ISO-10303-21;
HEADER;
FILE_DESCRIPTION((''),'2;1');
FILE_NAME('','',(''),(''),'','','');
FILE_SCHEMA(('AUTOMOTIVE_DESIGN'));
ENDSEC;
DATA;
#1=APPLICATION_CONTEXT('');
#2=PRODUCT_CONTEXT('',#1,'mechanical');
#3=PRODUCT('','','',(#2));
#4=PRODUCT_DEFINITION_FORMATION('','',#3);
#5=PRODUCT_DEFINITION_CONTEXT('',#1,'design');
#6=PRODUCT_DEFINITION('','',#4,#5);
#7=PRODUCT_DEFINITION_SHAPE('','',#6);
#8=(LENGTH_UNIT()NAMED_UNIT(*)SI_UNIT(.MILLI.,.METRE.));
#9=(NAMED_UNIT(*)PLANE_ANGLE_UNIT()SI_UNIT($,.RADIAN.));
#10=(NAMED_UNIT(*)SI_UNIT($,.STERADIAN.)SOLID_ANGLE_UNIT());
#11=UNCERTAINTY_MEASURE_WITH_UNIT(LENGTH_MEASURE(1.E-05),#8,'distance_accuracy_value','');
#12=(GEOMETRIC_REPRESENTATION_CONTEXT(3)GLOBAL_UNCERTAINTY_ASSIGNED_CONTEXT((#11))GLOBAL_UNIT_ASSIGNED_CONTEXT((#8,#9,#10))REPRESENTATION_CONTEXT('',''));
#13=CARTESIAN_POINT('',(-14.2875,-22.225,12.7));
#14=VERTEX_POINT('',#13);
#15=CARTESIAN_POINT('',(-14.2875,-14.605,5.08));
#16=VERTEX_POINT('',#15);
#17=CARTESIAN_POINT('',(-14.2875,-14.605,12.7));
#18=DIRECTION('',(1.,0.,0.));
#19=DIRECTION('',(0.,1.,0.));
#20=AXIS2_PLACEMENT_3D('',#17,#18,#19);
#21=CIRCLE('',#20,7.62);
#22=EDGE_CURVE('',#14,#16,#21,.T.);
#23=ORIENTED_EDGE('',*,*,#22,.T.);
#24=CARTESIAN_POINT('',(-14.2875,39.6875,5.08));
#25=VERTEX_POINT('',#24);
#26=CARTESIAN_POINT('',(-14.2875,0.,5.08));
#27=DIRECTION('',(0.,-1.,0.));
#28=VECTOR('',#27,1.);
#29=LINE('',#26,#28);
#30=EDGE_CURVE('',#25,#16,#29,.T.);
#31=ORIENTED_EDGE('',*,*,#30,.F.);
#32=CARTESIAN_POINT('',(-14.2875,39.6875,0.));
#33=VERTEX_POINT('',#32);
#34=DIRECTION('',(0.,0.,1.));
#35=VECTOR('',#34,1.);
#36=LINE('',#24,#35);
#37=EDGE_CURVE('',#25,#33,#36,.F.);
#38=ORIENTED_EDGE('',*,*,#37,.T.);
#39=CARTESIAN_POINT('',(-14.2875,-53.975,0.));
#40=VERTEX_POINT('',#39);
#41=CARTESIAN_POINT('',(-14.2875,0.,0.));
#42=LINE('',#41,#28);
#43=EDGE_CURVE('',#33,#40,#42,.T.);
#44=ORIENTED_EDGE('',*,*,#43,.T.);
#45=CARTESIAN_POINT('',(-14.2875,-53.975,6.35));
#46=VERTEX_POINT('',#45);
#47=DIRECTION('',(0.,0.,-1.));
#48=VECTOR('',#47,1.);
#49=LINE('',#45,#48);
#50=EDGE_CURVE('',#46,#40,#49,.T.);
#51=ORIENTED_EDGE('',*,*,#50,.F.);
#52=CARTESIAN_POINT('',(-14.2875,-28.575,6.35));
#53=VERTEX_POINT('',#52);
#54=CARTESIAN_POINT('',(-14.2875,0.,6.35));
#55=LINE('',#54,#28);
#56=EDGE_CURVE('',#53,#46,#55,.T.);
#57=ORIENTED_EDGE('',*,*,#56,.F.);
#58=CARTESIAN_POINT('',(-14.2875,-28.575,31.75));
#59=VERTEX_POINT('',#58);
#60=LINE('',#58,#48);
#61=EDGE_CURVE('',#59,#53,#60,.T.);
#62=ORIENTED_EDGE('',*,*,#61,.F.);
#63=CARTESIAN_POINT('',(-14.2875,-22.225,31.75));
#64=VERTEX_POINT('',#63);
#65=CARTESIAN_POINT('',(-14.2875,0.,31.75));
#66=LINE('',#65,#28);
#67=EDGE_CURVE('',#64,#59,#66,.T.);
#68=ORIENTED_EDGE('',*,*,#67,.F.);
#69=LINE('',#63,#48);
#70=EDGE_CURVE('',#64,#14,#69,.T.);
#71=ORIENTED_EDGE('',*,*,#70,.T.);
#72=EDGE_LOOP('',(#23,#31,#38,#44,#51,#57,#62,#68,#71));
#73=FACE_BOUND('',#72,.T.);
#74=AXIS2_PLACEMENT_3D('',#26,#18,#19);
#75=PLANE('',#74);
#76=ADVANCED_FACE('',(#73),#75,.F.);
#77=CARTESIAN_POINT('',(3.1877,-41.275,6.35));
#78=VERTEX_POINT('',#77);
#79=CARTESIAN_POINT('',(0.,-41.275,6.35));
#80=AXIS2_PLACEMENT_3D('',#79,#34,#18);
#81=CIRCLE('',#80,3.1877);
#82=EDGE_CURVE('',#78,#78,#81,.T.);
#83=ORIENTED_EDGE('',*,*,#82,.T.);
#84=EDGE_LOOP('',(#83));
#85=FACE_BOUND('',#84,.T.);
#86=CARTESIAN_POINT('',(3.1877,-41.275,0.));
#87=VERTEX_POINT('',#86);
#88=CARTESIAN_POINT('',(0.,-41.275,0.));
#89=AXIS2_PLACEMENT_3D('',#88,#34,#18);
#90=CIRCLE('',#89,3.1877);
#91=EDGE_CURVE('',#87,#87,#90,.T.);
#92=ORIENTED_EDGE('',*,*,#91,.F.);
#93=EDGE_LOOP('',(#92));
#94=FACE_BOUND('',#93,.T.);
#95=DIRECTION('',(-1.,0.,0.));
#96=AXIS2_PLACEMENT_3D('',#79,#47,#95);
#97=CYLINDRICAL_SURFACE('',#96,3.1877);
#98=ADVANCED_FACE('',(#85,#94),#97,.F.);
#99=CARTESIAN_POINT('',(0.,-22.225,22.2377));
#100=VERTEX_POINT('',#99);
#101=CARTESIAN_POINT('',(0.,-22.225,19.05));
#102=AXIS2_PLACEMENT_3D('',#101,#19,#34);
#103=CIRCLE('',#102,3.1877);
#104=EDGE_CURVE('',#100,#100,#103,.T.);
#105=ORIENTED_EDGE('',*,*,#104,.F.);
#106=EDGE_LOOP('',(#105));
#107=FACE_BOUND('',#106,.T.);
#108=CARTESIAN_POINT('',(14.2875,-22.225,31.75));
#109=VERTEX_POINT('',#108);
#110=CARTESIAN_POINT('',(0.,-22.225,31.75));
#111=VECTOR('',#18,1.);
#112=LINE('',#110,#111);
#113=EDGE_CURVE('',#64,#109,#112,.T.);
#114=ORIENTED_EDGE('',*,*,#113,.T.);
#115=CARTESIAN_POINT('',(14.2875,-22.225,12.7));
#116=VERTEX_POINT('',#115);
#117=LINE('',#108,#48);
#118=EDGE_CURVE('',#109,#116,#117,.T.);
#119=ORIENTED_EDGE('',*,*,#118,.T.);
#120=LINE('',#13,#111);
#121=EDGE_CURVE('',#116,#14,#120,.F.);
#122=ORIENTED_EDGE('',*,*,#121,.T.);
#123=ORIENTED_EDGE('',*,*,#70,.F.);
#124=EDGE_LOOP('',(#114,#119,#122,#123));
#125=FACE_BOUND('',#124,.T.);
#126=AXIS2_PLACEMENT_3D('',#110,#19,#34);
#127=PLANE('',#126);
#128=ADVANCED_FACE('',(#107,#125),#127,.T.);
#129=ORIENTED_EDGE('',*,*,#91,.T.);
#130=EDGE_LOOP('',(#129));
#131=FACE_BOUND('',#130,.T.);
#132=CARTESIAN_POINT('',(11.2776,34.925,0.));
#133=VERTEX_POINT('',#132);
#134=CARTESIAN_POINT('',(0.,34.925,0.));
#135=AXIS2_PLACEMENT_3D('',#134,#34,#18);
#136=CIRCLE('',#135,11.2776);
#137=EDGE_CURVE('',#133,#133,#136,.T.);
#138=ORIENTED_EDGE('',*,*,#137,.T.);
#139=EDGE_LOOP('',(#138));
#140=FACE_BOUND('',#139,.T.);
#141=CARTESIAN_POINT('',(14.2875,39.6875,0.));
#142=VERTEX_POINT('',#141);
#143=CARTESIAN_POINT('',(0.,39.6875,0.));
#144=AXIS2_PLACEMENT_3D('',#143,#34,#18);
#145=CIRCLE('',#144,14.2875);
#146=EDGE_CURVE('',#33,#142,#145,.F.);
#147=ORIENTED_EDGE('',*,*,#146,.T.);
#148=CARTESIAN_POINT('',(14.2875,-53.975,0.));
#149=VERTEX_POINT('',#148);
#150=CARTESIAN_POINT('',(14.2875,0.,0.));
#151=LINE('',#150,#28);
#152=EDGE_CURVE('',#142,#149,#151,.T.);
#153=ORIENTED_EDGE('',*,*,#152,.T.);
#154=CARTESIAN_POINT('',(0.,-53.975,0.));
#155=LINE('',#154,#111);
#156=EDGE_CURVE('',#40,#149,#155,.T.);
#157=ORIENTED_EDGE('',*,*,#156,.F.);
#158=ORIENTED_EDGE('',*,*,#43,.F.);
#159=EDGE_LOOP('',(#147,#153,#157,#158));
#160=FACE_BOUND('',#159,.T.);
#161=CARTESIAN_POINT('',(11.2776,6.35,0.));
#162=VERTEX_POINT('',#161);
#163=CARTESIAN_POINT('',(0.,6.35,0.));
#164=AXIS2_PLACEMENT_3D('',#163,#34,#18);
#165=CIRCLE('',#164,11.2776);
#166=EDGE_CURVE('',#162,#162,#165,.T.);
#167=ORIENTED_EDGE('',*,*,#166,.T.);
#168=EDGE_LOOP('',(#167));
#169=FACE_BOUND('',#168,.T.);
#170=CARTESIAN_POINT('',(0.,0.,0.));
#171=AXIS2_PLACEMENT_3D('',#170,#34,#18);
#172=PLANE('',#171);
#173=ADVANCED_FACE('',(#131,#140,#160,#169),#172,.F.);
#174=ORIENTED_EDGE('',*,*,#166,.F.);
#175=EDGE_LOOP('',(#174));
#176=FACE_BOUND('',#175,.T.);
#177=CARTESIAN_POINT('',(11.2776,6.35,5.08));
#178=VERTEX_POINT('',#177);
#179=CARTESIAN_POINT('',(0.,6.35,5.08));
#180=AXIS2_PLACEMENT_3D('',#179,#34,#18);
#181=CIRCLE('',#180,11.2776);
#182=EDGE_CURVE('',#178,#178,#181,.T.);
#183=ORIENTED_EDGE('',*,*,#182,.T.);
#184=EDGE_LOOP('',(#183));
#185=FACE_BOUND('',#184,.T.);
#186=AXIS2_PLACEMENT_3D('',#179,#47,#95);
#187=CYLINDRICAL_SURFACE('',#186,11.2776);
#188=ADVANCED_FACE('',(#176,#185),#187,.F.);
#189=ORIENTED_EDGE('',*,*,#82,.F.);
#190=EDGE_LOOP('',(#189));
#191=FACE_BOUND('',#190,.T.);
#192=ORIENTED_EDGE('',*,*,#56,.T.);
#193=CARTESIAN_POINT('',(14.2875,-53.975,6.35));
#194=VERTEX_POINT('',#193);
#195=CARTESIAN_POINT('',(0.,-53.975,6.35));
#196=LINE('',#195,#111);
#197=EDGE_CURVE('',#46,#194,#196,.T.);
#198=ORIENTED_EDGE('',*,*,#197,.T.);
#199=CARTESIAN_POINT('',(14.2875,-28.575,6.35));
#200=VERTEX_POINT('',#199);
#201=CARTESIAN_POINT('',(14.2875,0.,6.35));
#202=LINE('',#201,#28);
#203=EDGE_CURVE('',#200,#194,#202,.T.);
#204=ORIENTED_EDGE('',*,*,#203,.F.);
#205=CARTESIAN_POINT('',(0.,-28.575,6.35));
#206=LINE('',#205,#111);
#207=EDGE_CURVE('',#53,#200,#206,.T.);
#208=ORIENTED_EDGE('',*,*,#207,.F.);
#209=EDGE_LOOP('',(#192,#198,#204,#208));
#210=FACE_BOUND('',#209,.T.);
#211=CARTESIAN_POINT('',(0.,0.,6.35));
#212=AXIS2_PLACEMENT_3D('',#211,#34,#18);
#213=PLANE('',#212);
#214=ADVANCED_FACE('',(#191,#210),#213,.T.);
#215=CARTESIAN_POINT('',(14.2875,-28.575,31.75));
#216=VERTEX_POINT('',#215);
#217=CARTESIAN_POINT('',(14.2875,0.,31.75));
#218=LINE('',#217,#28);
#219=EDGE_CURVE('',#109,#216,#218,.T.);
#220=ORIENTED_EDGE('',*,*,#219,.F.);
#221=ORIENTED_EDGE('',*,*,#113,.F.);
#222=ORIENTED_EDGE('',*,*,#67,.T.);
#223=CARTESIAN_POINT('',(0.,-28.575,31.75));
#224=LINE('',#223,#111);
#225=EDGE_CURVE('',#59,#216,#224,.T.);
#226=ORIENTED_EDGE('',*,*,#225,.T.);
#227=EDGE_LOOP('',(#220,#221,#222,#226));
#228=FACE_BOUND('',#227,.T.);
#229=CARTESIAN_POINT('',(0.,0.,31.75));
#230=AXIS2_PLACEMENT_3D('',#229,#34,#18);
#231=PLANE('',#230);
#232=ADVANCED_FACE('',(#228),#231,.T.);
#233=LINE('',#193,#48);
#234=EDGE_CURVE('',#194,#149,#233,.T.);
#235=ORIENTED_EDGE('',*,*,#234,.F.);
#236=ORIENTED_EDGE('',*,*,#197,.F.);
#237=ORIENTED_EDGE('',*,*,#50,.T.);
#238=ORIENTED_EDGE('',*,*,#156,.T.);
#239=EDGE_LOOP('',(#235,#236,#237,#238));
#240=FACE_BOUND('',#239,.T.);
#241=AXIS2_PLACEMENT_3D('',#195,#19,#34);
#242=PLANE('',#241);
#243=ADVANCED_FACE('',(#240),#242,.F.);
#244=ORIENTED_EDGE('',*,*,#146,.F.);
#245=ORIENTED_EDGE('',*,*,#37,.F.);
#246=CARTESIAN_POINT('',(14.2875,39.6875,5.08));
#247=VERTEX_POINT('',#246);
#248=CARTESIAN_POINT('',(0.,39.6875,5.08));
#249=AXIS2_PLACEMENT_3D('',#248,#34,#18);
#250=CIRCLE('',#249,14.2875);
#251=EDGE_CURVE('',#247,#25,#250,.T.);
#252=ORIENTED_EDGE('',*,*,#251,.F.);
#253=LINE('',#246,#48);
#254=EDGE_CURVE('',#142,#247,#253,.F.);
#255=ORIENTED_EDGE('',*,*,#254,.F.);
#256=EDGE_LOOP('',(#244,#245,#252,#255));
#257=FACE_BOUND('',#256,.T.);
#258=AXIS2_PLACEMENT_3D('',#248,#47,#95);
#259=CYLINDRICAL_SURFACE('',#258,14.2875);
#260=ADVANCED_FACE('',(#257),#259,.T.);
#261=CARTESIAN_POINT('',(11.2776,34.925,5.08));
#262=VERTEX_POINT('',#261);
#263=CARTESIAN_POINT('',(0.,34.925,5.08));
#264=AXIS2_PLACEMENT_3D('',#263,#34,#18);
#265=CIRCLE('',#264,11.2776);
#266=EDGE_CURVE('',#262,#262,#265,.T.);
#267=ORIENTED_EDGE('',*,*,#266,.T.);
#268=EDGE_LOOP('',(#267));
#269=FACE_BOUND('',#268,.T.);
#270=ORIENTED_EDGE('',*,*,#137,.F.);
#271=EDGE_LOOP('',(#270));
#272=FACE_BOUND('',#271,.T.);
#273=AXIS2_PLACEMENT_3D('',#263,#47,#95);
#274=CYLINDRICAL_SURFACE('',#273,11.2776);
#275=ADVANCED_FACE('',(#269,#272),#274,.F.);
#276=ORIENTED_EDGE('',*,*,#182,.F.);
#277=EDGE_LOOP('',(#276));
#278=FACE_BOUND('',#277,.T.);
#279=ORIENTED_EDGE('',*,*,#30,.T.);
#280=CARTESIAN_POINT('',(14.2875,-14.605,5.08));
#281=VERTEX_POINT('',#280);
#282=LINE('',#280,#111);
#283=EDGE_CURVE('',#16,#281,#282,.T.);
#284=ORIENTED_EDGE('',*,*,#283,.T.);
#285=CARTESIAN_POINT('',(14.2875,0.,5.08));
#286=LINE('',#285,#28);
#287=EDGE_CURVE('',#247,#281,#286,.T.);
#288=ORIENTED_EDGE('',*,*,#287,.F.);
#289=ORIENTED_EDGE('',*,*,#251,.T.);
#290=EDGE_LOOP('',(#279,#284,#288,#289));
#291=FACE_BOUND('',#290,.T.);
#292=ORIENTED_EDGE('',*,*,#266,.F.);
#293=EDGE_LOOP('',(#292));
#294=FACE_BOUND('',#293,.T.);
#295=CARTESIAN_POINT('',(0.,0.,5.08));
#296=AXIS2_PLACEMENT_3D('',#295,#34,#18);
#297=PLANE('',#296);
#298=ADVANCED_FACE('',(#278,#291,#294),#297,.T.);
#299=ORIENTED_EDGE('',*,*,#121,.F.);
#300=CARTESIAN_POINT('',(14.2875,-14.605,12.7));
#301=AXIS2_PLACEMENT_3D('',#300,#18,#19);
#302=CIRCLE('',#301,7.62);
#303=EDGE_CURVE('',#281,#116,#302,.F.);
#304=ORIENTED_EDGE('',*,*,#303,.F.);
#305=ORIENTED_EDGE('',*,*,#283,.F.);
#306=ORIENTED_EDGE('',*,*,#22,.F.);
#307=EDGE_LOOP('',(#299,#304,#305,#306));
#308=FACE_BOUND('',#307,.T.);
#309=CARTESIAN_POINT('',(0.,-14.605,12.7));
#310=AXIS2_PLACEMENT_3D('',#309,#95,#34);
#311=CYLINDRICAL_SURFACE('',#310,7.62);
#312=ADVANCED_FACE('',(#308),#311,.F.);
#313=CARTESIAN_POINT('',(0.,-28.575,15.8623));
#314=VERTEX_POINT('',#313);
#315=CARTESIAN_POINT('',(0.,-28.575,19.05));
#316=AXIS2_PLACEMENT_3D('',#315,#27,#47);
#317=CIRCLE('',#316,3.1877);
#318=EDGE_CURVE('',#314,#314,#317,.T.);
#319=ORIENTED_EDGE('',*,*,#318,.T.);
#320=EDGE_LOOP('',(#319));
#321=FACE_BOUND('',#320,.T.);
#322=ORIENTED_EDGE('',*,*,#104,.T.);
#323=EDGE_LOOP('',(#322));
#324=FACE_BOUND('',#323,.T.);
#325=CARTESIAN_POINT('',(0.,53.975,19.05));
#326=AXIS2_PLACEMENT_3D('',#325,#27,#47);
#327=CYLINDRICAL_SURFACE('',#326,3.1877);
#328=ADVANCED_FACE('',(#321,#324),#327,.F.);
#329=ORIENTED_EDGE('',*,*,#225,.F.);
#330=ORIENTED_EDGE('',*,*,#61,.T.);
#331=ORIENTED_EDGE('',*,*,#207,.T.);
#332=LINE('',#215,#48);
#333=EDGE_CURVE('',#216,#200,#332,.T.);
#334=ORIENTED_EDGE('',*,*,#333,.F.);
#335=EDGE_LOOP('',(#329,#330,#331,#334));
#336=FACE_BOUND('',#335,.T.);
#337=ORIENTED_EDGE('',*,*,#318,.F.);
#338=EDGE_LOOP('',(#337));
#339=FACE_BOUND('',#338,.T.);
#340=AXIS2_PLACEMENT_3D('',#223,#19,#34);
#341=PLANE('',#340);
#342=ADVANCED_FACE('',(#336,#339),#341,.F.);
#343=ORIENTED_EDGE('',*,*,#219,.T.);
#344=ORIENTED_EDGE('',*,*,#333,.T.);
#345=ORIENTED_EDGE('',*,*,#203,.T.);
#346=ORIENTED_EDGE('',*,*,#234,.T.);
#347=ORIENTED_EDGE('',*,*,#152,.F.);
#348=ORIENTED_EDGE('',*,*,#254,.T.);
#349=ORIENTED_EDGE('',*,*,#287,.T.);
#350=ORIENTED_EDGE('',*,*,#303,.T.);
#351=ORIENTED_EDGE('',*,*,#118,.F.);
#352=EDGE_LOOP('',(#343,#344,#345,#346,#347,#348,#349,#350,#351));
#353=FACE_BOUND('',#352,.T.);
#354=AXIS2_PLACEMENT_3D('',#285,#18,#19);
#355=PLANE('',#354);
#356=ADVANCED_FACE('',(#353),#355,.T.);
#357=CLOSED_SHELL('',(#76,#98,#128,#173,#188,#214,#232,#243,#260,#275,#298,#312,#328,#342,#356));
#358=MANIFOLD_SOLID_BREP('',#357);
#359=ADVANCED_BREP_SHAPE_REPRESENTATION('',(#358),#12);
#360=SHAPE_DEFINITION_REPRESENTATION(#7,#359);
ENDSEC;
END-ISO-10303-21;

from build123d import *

# Parameters (mm, degrees)
SKETCH1_W           = 28.575
SKETCH1_H           = 76.2
SKETCH1_R           = 11.2776
BOSS_EXTRUDE1_DEPTH = 5.08
SKETCH1_3_W         = 28.575
SKETCH1_3_H         = 25.4
SKETCH1_3_R         = 3.1877
BOSS_EXTRUDE2_DEPTH = 6.35
SKETCH1_4_W         = 28.575
SKETCH1_4_H         = 6.35
BOSS_EXTRUDE3_DEPTH = 31.75
FILLET1_R           = 7.62
FILLET3_RADIUS      = 14.2875
FILLET3_LENGTH      = 5.08
SKETCH2_R           = 3.1877
CUT_EXTRUDE1_DEPTH  = 90.591839228


with BuildPart() as part:
    # Sketch1 → Boss-Extrude1 (new body)
    with BuildSketch(Plane.XY):
        with Locations((0, 15.875)):
            Rectangle(SKETCH1_W, SKETCH1_H)
        with Locations((0, 6.35)):
            Circle(SKETCH1_R, mode=Mode.SUBTRACT)
        with Locations((0, 34.925)):
            Circle(SKETCH1_R, mode=Mode.SUBTRACT)
    extrude(amount=BOSS_EXTRUDE1_DEPTH)



with BuildPart() as body_2:
    # Sketch1<3> → Boss-Extrude2 (new body)
    with BuildSketch(Plane.XY):
        with Locations((0, -41.275)):
            Rectangle(SKETCH1_3_W, SKETCH1_3_H)
        with Locations((0, -41.275)):
            Circle(SKETCH1_3_R, mode=Mode.SUBTRACT)
    extrude(amount=BOSS_EXTRUDE2_DEPTH)


with BuildPart() as part_1:
    add(part.part)

    add(body_2.part)  # Boss-Extrude3 merges body 2
    # Sketch1<4> → Boss-Extrude3 (add)
    with BuildSketch(Plane.XY):
        with Locations((0, -25.4)):
            Rectangle(SKETCH1_4_W, SKETCH1_4_H)
    extrude(amount=BOSS_EXTRUDE3_DEPTH)

    # Fillet1
    fillet1_edges = [part_1.edges().sort_by_distance(p)[0] for p in [
        (0, -22.225, 5.08),
    ]]
    fillet(fillet1_edges, radius=FILLET1_R)

    # Fillet3: full round fillet: the end face becomes a half cylinder, R = half its width
    fillet3_face = Plane((0, 53.975, 2.54), x_dir=(0, 0, 1), z_dir=(0, 1, 0))  # on the end face: x along it, z out of the body
    fillet3_slab = fillet3_face.offset(-FILLET3_RADIUS / 2) * Box(FILLET3_LENGTH, 2 * FILLET3_RADIUS, FILLET3_RADIUS, mode=Mode.PRIVATE)  # the body's end, R deep
    fillet3_round = Plane((0, 39.6875, 2.54), x_dir=(0, 1, 0), z_dir=(0, 0, 1)) * Cylinder(FILLET3_RADIUS, FILLET3_LENGTH, mode=Mode.PRIVATE)  # its axis R under the face
    add(fillet3_slab - fillet3_round, mode=Mode.SUBTRACT)

    # Sketch2 → Cut-Extrude1 (cut, through all)
    with BuildSketch(Plane.XZ.offset(28.575)):
        with Locations(Location((0, 19.05, 0), (0, 0, 270))):
            Circle(SKETCH2_R)
    extrude(amount=-CUT_EXTRUDE1_DEPTH, mode=Mode.SUBTRACT)


solid = part_1.part
